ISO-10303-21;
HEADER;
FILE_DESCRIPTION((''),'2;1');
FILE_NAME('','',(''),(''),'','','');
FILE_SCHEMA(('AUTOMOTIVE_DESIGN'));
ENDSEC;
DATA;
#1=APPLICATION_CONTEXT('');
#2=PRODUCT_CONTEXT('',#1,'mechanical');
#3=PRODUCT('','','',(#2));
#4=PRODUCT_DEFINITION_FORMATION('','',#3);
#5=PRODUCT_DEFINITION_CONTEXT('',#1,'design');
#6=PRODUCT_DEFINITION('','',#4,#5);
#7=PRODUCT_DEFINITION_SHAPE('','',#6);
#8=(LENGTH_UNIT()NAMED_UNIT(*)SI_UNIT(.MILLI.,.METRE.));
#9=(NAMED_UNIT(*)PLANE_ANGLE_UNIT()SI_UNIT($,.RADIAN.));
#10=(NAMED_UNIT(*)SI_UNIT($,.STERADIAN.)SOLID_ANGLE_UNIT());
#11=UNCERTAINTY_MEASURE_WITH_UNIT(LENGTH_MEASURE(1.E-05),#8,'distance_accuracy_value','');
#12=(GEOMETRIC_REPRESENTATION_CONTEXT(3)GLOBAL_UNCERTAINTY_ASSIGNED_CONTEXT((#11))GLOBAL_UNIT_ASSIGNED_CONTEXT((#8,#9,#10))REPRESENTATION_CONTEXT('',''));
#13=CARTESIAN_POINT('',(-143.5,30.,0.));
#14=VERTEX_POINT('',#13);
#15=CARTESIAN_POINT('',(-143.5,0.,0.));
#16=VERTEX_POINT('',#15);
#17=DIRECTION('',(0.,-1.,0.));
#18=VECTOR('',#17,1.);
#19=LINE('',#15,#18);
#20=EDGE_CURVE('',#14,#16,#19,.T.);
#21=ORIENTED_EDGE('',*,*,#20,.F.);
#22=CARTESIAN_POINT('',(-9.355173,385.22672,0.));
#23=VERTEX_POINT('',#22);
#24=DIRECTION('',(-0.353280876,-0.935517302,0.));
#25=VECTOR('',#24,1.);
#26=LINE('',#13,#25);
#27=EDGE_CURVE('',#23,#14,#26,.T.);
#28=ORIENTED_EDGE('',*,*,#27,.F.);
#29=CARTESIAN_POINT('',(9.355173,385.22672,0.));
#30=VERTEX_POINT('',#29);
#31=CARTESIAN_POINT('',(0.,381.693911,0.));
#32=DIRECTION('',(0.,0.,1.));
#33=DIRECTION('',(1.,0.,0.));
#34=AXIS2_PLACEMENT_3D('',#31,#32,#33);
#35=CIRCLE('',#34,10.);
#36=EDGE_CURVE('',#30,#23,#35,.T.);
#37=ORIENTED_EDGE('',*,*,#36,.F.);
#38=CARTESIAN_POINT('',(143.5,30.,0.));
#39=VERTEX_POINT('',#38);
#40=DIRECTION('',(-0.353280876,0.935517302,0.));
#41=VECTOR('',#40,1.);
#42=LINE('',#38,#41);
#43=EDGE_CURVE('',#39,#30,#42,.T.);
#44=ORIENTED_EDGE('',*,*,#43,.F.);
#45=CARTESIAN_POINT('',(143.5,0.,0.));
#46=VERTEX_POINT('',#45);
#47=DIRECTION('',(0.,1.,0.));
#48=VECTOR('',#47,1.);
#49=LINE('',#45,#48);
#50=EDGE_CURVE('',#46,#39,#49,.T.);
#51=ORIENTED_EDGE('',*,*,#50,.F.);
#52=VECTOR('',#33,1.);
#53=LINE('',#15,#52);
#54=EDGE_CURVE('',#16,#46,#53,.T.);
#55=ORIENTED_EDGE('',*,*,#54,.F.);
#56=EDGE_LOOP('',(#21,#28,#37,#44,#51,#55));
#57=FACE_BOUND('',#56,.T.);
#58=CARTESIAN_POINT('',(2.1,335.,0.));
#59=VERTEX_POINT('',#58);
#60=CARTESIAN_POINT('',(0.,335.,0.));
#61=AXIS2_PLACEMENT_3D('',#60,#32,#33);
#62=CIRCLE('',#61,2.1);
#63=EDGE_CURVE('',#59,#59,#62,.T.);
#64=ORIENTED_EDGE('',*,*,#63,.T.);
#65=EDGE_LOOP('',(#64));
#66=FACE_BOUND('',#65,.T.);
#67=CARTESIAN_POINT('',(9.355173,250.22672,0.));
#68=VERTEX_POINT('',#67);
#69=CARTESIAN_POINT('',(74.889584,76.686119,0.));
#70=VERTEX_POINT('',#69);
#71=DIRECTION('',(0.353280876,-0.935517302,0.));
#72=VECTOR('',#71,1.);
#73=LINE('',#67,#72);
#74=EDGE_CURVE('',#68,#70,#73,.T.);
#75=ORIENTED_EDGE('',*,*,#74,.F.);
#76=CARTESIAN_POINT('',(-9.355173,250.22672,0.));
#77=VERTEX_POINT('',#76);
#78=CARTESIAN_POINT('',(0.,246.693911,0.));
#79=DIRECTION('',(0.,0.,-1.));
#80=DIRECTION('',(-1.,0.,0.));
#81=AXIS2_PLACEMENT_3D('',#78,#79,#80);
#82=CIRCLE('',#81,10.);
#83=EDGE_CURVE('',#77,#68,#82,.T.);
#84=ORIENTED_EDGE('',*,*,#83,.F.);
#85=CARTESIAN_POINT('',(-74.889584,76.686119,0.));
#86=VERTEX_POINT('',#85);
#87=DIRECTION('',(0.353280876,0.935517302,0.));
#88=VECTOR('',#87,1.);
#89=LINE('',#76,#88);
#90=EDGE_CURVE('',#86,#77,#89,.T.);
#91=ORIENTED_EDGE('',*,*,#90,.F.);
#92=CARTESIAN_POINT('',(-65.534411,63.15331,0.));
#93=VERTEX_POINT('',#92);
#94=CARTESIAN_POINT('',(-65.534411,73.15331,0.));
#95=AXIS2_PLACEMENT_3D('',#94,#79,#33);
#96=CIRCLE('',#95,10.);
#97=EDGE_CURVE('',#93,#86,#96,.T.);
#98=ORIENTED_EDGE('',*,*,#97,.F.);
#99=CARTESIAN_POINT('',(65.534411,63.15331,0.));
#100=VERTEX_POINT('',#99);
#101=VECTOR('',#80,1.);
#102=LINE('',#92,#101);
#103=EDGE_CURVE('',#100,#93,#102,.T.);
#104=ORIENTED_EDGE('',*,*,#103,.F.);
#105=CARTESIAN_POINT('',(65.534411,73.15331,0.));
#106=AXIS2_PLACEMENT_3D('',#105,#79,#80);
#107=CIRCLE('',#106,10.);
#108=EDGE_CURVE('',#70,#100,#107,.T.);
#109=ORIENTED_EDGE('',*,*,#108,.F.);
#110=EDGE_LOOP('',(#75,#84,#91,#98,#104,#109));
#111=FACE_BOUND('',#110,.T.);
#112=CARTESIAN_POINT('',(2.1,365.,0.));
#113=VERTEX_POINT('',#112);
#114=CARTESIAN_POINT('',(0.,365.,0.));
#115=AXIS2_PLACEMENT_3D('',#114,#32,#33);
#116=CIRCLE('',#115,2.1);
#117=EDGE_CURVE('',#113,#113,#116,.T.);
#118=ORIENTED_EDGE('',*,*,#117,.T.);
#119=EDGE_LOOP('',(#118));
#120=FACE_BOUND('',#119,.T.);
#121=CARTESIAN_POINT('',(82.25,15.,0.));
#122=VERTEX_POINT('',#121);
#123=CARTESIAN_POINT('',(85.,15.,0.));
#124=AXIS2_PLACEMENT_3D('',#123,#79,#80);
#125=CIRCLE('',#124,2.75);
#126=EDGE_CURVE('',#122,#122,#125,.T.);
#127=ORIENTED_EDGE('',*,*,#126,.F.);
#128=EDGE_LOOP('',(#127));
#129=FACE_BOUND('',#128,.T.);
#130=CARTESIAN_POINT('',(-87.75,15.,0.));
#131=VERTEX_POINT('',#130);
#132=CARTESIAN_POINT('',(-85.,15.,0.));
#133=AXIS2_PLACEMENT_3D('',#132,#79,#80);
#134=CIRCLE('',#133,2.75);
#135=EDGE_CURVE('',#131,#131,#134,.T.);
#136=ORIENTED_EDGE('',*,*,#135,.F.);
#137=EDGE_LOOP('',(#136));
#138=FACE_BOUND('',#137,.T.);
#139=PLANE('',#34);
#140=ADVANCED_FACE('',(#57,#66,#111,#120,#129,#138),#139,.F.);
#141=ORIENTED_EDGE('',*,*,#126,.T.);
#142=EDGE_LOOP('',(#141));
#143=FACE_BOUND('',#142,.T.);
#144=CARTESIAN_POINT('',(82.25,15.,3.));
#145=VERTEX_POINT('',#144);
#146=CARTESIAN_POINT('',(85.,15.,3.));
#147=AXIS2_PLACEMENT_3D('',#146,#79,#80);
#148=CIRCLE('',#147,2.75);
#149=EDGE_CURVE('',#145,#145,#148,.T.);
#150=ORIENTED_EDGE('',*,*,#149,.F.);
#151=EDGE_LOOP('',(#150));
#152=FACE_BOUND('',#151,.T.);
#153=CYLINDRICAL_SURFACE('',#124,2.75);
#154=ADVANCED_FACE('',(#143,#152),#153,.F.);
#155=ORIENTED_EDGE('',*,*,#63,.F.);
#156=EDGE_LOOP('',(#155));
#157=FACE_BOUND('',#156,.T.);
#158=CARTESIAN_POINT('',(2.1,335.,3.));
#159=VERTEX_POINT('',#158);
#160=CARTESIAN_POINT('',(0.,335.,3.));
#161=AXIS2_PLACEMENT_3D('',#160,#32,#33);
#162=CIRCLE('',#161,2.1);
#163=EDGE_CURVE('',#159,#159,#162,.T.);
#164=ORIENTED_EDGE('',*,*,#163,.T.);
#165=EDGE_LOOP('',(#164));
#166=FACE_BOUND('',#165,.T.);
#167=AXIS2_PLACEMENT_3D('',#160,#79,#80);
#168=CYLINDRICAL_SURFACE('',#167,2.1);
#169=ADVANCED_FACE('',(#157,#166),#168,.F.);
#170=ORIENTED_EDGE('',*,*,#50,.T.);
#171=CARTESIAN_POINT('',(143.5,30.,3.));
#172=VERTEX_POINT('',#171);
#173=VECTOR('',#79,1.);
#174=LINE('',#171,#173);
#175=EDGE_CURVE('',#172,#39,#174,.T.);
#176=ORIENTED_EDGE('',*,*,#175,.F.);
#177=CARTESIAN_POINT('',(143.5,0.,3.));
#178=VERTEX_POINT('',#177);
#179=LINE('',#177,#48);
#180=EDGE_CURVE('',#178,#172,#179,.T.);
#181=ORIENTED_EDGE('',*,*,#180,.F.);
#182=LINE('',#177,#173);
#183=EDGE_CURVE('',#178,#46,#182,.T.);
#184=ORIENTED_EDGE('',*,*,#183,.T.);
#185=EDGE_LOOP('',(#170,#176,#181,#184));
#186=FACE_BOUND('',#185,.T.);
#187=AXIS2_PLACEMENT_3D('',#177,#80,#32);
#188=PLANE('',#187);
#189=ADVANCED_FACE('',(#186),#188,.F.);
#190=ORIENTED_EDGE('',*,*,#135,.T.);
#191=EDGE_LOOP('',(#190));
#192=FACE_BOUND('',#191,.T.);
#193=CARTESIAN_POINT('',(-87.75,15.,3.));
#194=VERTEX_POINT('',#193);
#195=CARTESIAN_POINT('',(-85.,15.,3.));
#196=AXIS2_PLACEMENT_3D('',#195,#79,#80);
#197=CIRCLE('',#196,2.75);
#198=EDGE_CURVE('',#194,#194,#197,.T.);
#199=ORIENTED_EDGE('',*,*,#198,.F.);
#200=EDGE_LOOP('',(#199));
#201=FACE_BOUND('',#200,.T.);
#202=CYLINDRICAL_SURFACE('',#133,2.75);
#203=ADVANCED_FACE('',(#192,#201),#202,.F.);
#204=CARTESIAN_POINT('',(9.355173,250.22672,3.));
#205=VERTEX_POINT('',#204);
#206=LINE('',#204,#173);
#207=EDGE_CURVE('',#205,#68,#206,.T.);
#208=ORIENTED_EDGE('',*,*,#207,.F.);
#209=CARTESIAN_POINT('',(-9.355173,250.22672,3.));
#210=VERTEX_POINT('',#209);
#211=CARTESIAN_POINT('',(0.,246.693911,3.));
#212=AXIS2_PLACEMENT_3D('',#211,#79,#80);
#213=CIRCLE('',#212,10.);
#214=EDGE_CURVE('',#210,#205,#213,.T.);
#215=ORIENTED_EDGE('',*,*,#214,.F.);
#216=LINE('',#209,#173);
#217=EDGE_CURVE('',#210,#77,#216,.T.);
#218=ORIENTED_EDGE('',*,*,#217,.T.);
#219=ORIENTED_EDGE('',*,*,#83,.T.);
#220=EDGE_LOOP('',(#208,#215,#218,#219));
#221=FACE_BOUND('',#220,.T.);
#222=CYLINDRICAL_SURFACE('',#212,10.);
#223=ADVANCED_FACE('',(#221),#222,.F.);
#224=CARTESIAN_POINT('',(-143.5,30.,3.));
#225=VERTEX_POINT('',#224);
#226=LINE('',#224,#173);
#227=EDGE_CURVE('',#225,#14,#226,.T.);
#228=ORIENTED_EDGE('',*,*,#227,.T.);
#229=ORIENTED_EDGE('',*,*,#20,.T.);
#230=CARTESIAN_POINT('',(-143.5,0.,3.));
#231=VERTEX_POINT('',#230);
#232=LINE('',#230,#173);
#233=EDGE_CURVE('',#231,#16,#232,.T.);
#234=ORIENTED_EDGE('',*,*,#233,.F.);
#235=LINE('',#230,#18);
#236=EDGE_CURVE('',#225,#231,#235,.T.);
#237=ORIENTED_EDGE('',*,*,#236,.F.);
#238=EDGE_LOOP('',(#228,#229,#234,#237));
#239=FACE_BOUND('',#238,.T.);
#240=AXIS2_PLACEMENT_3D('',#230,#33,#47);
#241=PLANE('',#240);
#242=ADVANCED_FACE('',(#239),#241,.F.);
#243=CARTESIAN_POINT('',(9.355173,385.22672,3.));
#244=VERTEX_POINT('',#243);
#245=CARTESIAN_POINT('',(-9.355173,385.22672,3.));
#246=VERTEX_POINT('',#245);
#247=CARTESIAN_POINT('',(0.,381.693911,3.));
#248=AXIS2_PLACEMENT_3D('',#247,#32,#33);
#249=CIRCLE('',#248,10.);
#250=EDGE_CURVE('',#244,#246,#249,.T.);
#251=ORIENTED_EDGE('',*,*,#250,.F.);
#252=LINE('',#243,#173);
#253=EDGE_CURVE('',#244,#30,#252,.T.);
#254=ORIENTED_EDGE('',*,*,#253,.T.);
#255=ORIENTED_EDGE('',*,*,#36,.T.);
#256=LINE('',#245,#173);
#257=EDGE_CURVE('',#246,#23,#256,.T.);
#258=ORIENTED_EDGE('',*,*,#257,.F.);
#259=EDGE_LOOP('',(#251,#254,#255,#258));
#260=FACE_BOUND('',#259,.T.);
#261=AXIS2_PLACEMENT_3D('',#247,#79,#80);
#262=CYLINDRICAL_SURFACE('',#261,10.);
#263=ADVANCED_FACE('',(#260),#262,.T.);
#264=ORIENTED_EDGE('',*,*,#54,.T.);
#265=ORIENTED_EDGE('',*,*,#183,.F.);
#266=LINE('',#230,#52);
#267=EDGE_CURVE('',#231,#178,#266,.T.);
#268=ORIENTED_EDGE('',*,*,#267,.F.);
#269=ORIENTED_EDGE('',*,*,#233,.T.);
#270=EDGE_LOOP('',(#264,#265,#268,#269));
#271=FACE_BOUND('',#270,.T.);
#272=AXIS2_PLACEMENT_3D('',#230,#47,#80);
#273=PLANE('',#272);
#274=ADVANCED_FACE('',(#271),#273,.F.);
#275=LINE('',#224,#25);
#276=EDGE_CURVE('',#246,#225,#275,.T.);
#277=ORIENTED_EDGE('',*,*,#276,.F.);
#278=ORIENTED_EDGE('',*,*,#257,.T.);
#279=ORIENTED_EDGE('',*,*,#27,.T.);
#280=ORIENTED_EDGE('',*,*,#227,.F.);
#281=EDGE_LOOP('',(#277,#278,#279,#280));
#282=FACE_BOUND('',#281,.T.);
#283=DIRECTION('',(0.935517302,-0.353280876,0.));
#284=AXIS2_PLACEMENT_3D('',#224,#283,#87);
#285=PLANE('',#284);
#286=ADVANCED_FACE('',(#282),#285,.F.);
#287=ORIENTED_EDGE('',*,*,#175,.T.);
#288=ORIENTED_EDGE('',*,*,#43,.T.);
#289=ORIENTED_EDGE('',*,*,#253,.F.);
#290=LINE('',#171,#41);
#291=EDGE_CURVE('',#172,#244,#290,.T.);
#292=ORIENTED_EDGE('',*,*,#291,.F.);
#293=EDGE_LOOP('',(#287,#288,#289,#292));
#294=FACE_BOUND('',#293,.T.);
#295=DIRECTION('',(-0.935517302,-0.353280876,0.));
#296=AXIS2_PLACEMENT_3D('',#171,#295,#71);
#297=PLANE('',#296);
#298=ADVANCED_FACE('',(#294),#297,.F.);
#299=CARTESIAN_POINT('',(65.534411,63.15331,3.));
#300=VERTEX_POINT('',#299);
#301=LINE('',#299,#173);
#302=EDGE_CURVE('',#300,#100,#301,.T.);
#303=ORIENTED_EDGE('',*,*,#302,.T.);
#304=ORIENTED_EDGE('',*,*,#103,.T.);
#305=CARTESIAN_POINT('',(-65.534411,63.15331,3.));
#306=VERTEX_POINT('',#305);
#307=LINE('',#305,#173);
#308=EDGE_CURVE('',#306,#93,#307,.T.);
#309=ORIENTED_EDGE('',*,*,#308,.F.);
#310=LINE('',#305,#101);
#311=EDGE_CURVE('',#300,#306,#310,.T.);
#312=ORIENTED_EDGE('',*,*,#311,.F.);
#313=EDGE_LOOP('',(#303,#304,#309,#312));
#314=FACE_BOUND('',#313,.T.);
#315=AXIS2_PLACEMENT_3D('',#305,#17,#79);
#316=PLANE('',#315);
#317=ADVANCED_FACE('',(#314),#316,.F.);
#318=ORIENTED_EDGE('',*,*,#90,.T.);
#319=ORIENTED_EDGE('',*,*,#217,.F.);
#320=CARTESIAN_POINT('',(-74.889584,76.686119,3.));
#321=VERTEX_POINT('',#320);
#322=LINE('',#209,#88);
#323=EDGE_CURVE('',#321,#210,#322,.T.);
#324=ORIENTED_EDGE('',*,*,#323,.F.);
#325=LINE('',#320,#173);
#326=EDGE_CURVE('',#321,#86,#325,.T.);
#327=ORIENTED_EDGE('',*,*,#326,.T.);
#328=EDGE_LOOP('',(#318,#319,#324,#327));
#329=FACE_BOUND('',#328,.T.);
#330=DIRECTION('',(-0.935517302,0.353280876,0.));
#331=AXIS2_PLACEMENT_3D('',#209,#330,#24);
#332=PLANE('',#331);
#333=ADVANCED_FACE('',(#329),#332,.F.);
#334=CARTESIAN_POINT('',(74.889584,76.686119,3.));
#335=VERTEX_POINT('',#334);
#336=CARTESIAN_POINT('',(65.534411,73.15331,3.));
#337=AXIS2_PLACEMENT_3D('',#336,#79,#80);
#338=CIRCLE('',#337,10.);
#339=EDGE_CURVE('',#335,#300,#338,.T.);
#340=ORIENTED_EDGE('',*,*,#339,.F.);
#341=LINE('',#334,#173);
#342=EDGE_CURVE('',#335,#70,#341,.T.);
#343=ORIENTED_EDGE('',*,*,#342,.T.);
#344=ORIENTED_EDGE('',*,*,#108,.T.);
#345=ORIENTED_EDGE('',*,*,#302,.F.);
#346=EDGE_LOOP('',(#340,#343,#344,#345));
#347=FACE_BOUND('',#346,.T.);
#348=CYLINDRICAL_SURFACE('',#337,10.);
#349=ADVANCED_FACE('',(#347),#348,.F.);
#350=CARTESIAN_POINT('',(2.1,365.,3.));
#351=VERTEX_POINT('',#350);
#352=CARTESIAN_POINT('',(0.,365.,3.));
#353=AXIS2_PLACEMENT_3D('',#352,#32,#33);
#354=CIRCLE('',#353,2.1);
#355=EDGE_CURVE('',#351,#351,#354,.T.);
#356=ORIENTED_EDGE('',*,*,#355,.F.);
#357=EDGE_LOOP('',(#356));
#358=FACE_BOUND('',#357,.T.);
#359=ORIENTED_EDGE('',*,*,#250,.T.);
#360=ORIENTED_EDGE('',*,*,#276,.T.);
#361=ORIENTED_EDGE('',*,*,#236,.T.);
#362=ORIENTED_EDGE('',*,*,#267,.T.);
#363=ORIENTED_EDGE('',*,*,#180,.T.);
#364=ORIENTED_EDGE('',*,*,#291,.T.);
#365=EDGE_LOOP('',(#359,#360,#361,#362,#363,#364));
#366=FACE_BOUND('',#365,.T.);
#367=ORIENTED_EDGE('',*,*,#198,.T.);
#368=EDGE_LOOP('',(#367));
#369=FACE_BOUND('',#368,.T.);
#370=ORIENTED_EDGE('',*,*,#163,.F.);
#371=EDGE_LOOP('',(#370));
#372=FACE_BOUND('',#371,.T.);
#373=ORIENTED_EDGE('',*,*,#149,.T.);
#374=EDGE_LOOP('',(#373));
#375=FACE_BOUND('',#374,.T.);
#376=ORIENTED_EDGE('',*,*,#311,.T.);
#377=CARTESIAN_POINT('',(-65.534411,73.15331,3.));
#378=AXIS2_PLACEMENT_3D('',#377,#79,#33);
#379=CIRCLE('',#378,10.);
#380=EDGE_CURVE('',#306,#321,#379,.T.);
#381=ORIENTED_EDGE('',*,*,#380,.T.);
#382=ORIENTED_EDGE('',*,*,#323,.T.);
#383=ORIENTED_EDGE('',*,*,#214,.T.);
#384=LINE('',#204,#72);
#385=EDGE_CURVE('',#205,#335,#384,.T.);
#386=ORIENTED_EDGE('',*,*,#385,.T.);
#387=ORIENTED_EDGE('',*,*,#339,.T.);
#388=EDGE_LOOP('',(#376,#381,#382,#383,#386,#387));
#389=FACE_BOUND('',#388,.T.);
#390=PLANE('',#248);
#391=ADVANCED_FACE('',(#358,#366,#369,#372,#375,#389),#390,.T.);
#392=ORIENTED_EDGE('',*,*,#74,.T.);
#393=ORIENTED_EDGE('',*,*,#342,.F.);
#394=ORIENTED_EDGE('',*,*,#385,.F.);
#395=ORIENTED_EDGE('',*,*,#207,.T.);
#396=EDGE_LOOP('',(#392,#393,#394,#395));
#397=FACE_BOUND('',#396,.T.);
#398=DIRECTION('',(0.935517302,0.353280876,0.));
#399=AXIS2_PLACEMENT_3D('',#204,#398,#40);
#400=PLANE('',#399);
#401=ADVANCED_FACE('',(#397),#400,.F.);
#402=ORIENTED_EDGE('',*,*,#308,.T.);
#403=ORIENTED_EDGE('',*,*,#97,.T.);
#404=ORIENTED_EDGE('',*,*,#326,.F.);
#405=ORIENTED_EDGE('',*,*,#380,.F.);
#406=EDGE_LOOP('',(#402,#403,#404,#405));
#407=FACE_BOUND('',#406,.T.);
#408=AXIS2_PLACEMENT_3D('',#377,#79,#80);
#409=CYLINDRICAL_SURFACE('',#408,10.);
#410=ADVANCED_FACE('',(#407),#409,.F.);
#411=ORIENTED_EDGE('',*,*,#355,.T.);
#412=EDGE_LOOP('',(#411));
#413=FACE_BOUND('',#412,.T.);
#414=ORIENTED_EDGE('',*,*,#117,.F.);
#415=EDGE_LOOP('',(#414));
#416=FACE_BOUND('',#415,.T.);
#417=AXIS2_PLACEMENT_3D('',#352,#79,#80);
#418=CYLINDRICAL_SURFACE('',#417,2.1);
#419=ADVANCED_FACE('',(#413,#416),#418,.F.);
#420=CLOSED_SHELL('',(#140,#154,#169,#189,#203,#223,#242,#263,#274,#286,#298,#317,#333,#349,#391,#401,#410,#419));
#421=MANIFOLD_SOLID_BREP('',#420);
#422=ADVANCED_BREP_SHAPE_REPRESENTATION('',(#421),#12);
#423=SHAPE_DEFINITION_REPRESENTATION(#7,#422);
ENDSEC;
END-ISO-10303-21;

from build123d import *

# Parameters (mm, degrees)
CROQUIS1_R                   = 2.1
SALIENTE_EXTRUIR1_DEPTH      = 3
TALADRO_DE_MARGEN_PARA_M51_D = 5.5
CORTAR_EXTRUIR1_DEPTH        = 3


with BuildPart() as part:
    # Croquis1 → Saliente-Extruir1 (new body)
    with BuildSketch(Plane.XY):
        with BuildLine():
            Line((-143.5, 0), (143.5, 0))
            Line((143.5, 0), (143.5, 30))
            Line((143.5, 30), (9.355173022, 385.226719524))
            ThreePointArc((9.355173022, 385.226719524), (0, 391.693910765), (-9.355173022, 385.226719524))
            Line((-9.355173022, 385.226719524), (-143.5, 30))
            Line((-143.5, 30), (-143.5, 0))
        make_face()
        with Locations((0, 365)):
            Circle(CROQUIS1_R, mode=Mode.SUBTRACT)
        with Locations((0, 335)):
            Circle(CROQUIS1_R, mode=Mode.SUBTRACT)
    extrude(amount=SALIENTE_EXTRUIR1_DEPTH)

    # Taladro de margen para M51 (through all)
    with Locations(Plane(origin=(0, 0, 0), x_dir=(-1, 0, 0), z_dir=(0, 0, -1))):
        with Locations((-85, 15), (85, 15)):
            Hole(TALADRO_DE_MARGEN_PARA_M51_D / 2)

    # Croquis4 → Cortar-Extruir1 (cut)
    with BuildSketch(Plane(origin=(0, 0, 0), x_dir=(-1, 0, 0), z_dir=(0, 0, -1))):
        with BuildLine():
            Line((9.355173022, 250.226719524), (74.889584061, 76.686118864))
            ThreePointArc((74.889584061, 76.686118864), (73.760226731, 67.466838773), (65.534411039, 63.153310105))
            Line((65.534411039, 63.153310105), (-65.534411039, 63.153310105))
            ThreePointArc((-65.534411039, 63.153310105), (-73.760226731, 67.466838773), (-74.889584061, 76.686118864))
            Line((-74.889584061, 76.686118864), (-9.355173022, 250.226719524))
            ThreePointArc((-9.355173022, 250.226719524), (0, 256.693910765), (9.355173022, 250.226719524))
        make_face()
    extrude(amount=-CORTAR_EXTRUIR1_DEPTH, mode=Mode.SUBTRACT)


solid = part.part
